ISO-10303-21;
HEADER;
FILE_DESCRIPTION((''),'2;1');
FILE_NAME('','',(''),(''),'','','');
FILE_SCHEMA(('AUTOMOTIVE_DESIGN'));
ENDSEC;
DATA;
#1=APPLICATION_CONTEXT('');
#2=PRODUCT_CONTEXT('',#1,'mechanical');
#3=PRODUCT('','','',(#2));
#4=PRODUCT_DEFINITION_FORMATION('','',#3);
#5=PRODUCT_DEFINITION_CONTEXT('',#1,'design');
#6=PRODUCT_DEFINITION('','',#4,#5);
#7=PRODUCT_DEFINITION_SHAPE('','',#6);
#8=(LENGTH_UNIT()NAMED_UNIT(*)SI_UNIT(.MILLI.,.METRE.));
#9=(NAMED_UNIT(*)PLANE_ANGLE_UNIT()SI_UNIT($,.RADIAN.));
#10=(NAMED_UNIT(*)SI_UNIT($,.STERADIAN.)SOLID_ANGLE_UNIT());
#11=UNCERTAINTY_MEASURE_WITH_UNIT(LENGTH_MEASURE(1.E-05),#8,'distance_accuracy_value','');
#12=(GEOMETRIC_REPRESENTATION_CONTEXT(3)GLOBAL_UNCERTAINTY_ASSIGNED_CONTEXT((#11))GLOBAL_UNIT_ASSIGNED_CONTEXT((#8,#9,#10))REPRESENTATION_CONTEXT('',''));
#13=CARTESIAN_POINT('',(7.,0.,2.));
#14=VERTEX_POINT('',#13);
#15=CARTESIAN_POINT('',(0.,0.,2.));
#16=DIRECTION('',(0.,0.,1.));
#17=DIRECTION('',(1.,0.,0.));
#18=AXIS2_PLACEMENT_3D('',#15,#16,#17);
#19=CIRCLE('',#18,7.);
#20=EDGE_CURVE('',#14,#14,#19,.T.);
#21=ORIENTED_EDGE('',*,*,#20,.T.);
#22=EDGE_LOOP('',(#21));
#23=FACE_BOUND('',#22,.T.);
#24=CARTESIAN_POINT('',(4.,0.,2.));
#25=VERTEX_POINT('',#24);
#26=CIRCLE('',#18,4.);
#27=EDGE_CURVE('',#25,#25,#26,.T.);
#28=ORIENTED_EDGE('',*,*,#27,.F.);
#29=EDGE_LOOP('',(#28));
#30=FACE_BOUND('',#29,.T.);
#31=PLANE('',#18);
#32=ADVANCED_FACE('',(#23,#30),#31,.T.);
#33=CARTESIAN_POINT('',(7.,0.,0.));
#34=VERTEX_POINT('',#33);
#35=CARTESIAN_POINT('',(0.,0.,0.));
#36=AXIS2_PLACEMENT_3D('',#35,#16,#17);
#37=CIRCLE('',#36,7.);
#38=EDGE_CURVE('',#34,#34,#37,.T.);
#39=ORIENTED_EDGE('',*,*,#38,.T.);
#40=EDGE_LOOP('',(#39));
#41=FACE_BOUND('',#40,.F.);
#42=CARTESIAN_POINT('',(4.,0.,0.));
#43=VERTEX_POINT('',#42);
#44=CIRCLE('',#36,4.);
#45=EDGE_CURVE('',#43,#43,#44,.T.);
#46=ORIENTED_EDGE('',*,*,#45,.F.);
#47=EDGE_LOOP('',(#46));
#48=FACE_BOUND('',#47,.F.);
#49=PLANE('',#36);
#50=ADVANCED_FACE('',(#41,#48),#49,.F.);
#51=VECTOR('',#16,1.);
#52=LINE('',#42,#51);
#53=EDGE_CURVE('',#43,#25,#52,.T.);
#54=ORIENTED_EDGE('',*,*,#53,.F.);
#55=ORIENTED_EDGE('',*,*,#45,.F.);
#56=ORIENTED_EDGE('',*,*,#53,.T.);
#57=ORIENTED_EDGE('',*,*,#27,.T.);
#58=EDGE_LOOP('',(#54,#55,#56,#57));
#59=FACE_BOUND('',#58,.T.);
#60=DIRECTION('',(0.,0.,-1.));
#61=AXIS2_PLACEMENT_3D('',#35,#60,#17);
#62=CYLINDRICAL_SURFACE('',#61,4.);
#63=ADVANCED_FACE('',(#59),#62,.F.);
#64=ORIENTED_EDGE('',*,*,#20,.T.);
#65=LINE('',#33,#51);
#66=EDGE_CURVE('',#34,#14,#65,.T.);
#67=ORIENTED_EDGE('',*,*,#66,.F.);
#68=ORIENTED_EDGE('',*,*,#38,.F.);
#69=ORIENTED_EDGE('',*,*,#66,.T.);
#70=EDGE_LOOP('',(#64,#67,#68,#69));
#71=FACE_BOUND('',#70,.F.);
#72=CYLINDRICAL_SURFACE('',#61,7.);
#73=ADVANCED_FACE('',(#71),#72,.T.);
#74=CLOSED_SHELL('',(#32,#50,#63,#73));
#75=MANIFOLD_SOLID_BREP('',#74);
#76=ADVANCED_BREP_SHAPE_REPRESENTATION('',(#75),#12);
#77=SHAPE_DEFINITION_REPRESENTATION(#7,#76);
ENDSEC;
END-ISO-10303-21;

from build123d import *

# Parameters (mm, degrees)
SKETCH1_R           = 7
SKETCH1_R_2         = 4
BOSS_EXTRUDE1_DEPTH = 2


with BuildPart() as part:
    # Sketch1 → Boss-Extrude1 (new body)
    with BuildSketch(Plane.XY):
        Circle(SKETCH1_R)
        Circle(SKETCH1_R_2, mode=Mode.SUBTRACT)
    extrude(amount=BOSS_EXTRUDE1_DEPTH)


solid = part.part
